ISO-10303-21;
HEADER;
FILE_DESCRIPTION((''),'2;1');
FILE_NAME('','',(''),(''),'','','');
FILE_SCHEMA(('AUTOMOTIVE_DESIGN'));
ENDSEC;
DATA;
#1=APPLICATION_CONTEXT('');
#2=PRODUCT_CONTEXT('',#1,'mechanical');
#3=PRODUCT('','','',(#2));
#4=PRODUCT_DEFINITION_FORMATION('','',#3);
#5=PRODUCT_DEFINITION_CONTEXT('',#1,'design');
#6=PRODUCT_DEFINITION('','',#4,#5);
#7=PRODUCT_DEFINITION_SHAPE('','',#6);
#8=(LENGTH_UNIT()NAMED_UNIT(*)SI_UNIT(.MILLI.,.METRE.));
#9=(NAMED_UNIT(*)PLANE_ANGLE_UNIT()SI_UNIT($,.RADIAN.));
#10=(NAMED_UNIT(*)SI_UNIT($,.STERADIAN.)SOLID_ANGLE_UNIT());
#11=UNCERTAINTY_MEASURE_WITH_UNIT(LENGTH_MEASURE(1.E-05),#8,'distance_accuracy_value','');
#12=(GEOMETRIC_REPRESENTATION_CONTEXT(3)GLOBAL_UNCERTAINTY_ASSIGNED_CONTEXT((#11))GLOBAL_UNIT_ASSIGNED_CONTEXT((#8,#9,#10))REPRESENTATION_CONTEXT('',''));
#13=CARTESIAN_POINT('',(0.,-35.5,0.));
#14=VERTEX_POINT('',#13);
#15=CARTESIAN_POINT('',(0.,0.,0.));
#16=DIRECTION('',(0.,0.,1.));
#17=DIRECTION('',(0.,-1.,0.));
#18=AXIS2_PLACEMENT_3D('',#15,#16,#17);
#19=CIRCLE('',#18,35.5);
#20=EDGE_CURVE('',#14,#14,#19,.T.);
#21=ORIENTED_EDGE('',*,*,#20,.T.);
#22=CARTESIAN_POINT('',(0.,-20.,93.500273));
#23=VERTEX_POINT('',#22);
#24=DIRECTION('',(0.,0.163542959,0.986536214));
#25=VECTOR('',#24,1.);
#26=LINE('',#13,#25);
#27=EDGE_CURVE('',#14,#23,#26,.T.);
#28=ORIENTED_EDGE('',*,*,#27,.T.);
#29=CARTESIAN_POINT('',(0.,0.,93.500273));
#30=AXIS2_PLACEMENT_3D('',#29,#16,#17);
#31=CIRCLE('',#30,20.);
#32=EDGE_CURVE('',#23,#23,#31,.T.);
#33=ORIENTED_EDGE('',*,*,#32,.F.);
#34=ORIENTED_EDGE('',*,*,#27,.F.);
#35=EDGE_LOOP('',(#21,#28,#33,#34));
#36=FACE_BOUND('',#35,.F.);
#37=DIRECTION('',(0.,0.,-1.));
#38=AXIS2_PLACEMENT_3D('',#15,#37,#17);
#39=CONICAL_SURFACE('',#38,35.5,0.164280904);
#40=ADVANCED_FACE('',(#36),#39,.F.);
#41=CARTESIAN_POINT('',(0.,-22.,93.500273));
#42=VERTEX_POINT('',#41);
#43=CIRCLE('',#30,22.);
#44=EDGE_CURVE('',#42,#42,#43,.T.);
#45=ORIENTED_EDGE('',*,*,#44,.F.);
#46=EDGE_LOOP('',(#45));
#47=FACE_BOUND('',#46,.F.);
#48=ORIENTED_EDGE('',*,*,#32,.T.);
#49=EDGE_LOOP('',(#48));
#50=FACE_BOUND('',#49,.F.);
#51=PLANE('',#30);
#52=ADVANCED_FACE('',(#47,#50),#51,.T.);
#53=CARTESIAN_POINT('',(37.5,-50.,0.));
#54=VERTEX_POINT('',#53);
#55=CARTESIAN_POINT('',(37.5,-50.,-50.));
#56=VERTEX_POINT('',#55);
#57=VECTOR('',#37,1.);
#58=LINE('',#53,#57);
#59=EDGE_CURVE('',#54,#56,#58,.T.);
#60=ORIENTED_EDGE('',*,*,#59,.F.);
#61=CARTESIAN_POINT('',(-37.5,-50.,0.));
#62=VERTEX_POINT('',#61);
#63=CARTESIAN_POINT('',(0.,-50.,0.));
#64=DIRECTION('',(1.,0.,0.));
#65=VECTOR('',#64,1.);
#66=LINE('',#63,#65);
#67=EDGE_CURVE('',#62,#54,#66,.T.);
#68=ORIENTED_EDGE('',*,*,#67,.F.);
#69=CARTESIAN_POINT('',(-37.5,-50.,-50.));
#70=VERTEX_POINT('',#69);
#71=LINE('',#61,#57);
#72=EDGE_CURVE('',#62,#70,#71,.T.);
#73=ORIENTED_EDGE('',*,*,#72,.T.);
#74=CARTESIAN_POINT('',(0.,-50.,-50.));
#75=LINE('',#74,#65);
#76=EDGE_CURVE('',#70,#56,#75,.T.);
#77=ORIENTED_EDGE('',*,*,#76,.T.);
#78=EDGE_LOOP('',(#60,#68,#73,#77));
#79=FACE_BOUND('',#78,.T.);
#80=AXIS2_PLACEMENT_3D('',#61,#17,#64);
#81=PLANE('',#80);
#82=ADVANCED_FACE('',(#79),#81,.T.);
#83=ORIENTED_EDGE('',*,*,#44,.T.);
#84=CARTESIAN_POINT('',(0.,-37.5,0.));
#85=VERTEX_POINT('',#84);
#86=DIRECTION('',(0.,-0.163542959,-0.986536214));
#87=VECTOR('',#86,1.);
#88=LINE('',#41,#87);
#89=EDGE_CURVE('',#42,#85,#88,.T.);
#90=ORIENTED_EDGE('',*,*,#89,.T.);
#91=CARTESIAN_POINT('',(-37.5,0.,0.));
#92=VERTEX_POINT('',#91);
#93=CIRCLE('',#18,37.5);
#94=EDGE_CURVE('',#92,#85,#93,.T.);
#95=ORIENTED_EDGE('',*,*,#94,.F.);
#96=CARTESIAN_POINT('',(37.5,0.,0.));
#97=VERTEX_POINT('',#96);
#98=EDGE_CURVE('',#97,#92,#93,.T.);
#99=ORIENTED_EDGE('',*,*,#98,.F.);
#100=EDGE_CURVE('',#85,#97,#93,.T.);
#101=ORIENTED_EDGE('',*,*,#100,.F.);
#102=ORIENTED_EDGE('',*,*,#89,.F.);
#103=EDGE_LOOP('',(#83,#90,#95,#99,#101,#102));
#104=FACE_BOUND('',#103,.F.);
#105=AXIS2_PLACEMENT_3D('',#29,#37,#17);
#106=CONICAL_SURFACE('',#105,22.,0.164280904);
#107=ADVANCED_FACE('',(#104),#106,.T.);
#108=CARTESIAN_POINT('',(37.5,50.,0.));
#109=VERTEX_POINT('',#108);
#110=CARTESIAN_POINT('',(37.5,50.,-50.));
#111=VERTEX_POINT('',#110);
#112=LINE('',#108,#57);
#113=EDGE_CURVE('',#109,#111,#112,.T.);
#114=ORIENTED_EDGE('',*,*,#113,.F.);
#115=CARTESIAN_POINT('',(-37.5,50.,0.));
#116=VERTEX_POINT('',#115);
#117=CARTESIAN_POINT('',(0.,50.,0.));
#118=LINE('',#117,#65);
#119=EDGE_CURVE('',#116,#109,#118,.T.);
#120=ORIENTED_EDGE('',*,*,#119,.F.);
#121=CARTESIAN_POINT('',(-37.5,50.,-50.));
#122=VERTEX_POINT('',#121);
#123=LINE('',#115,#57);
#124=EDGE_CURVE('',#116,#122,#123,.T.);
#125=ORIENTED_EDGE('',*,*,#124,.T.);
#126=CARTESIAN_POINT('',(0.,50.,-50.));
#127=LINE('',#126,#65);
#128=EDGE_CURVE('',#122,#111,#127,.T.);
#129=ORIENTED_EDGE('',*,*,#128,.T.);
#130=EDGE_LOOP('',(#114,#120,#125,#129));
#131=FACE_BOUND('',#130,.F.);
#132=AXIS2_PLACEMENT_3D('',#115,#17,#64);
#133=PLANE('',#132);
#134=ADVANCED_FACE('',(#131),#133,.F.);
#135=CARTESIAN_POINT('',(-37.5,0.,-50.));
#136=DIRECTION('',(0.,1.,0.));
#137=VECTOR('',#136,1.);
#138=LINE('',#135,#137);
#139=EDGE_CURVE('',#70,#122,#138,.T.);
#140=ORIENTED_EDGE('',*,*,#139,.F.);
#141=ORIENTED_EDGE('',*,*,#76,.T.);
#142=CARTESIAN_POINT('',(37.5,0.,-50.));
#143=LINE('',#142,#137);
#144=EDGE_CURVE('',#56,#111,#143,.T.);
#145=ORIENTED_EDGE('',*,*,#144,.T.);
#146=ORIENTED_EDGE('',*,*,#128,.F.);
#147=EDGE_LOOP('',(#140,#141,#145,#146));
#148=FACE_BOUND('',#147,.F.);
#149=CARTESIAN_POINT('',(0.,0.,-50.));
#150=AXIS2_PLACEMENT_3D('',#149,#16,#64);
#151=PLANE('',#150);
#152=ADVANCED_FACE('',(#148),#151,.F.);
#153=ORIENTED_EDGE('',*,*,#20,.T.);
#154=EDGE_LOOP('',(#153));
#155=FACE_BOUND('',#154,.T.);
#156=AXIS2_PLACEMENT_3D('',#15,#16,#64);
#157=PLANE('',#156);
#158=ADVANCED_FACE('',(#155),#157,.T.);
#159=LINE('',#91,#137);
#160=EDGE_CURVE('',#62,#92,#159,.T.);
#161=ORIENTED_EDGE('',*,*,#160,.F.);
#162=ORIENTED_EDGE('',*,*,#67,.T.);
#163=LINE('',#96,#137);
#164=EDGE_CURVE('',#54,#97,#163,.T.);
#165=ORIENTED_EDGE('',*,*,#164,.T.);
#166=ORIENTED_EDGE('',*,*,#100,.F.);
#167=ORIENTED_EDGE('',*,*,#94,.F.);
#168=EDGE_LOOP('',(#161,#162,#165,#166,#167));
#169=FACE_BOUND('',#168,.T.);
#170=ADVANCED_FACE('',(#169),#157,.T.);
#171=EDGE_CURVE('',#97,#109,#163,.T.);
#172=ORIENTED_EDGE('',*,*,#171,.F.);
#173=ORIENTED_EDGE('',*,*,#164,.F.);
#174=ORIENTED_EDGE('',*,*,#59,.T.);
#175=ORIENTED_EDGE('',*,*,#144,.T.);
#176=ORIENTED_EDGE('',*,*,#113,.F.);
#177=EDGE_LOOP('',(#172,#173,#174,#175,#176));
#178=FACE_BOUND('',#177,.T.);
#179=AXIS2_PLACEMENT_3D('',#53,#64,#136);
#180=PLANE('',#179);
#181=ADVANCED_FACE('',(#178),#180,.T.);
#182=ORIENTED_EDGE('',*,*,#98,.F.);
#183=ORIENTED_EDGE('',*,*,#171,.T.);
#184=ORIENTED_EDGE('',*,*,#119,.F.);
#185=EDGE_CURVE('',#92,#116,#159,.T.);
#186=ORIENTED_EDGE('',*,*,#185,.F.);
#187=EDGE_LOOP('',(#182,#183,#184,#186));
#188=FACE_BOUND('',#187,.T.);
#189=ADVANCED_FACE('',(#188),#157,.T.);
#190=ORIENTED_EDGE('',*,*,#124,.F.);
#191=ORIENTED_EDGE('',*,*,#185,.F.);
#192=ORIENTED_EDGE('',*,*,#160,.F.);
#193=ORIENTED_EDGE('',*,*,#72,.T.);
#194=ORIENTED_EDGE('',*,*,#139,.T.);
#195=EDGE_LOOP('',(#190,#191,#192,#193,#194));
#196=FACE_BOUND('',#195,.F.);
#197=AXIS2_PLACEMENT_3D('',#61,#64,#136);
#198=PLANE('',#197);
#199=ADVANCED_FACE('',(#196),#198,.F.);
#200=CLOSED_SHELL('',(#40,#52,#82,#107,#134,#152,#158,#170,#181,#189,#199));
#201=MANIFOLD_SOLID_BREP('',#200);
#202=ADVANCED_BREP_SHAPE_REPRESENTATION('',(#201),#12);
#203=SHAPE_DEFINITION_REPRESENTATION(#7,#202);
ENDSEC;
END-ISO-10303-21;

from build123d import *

# Parameters (mm, degrees)
F0_W     = 75
F0_H     = 100
F1_DEPTH = 50


with BuildPart() as f1:
    # F0 (on Top) → F1 (new body)
    with BuildSketch(Plane.XY):
        Rectangle(F0_W, F0_H)
    extrude(amount=-F1_DEPTH)

    # F2 (on Right) → F3 (revolve)
    with BuildSketch(Plane.YZ):
        Polygon((-35.5, 0), (-20, 93.500273), (-22, 93.500273), (-37.5, 0), align=None)
    revolve(axis=Axis((0, 0, 46.750137), (0, 0, 1)))


solid = f1.part
